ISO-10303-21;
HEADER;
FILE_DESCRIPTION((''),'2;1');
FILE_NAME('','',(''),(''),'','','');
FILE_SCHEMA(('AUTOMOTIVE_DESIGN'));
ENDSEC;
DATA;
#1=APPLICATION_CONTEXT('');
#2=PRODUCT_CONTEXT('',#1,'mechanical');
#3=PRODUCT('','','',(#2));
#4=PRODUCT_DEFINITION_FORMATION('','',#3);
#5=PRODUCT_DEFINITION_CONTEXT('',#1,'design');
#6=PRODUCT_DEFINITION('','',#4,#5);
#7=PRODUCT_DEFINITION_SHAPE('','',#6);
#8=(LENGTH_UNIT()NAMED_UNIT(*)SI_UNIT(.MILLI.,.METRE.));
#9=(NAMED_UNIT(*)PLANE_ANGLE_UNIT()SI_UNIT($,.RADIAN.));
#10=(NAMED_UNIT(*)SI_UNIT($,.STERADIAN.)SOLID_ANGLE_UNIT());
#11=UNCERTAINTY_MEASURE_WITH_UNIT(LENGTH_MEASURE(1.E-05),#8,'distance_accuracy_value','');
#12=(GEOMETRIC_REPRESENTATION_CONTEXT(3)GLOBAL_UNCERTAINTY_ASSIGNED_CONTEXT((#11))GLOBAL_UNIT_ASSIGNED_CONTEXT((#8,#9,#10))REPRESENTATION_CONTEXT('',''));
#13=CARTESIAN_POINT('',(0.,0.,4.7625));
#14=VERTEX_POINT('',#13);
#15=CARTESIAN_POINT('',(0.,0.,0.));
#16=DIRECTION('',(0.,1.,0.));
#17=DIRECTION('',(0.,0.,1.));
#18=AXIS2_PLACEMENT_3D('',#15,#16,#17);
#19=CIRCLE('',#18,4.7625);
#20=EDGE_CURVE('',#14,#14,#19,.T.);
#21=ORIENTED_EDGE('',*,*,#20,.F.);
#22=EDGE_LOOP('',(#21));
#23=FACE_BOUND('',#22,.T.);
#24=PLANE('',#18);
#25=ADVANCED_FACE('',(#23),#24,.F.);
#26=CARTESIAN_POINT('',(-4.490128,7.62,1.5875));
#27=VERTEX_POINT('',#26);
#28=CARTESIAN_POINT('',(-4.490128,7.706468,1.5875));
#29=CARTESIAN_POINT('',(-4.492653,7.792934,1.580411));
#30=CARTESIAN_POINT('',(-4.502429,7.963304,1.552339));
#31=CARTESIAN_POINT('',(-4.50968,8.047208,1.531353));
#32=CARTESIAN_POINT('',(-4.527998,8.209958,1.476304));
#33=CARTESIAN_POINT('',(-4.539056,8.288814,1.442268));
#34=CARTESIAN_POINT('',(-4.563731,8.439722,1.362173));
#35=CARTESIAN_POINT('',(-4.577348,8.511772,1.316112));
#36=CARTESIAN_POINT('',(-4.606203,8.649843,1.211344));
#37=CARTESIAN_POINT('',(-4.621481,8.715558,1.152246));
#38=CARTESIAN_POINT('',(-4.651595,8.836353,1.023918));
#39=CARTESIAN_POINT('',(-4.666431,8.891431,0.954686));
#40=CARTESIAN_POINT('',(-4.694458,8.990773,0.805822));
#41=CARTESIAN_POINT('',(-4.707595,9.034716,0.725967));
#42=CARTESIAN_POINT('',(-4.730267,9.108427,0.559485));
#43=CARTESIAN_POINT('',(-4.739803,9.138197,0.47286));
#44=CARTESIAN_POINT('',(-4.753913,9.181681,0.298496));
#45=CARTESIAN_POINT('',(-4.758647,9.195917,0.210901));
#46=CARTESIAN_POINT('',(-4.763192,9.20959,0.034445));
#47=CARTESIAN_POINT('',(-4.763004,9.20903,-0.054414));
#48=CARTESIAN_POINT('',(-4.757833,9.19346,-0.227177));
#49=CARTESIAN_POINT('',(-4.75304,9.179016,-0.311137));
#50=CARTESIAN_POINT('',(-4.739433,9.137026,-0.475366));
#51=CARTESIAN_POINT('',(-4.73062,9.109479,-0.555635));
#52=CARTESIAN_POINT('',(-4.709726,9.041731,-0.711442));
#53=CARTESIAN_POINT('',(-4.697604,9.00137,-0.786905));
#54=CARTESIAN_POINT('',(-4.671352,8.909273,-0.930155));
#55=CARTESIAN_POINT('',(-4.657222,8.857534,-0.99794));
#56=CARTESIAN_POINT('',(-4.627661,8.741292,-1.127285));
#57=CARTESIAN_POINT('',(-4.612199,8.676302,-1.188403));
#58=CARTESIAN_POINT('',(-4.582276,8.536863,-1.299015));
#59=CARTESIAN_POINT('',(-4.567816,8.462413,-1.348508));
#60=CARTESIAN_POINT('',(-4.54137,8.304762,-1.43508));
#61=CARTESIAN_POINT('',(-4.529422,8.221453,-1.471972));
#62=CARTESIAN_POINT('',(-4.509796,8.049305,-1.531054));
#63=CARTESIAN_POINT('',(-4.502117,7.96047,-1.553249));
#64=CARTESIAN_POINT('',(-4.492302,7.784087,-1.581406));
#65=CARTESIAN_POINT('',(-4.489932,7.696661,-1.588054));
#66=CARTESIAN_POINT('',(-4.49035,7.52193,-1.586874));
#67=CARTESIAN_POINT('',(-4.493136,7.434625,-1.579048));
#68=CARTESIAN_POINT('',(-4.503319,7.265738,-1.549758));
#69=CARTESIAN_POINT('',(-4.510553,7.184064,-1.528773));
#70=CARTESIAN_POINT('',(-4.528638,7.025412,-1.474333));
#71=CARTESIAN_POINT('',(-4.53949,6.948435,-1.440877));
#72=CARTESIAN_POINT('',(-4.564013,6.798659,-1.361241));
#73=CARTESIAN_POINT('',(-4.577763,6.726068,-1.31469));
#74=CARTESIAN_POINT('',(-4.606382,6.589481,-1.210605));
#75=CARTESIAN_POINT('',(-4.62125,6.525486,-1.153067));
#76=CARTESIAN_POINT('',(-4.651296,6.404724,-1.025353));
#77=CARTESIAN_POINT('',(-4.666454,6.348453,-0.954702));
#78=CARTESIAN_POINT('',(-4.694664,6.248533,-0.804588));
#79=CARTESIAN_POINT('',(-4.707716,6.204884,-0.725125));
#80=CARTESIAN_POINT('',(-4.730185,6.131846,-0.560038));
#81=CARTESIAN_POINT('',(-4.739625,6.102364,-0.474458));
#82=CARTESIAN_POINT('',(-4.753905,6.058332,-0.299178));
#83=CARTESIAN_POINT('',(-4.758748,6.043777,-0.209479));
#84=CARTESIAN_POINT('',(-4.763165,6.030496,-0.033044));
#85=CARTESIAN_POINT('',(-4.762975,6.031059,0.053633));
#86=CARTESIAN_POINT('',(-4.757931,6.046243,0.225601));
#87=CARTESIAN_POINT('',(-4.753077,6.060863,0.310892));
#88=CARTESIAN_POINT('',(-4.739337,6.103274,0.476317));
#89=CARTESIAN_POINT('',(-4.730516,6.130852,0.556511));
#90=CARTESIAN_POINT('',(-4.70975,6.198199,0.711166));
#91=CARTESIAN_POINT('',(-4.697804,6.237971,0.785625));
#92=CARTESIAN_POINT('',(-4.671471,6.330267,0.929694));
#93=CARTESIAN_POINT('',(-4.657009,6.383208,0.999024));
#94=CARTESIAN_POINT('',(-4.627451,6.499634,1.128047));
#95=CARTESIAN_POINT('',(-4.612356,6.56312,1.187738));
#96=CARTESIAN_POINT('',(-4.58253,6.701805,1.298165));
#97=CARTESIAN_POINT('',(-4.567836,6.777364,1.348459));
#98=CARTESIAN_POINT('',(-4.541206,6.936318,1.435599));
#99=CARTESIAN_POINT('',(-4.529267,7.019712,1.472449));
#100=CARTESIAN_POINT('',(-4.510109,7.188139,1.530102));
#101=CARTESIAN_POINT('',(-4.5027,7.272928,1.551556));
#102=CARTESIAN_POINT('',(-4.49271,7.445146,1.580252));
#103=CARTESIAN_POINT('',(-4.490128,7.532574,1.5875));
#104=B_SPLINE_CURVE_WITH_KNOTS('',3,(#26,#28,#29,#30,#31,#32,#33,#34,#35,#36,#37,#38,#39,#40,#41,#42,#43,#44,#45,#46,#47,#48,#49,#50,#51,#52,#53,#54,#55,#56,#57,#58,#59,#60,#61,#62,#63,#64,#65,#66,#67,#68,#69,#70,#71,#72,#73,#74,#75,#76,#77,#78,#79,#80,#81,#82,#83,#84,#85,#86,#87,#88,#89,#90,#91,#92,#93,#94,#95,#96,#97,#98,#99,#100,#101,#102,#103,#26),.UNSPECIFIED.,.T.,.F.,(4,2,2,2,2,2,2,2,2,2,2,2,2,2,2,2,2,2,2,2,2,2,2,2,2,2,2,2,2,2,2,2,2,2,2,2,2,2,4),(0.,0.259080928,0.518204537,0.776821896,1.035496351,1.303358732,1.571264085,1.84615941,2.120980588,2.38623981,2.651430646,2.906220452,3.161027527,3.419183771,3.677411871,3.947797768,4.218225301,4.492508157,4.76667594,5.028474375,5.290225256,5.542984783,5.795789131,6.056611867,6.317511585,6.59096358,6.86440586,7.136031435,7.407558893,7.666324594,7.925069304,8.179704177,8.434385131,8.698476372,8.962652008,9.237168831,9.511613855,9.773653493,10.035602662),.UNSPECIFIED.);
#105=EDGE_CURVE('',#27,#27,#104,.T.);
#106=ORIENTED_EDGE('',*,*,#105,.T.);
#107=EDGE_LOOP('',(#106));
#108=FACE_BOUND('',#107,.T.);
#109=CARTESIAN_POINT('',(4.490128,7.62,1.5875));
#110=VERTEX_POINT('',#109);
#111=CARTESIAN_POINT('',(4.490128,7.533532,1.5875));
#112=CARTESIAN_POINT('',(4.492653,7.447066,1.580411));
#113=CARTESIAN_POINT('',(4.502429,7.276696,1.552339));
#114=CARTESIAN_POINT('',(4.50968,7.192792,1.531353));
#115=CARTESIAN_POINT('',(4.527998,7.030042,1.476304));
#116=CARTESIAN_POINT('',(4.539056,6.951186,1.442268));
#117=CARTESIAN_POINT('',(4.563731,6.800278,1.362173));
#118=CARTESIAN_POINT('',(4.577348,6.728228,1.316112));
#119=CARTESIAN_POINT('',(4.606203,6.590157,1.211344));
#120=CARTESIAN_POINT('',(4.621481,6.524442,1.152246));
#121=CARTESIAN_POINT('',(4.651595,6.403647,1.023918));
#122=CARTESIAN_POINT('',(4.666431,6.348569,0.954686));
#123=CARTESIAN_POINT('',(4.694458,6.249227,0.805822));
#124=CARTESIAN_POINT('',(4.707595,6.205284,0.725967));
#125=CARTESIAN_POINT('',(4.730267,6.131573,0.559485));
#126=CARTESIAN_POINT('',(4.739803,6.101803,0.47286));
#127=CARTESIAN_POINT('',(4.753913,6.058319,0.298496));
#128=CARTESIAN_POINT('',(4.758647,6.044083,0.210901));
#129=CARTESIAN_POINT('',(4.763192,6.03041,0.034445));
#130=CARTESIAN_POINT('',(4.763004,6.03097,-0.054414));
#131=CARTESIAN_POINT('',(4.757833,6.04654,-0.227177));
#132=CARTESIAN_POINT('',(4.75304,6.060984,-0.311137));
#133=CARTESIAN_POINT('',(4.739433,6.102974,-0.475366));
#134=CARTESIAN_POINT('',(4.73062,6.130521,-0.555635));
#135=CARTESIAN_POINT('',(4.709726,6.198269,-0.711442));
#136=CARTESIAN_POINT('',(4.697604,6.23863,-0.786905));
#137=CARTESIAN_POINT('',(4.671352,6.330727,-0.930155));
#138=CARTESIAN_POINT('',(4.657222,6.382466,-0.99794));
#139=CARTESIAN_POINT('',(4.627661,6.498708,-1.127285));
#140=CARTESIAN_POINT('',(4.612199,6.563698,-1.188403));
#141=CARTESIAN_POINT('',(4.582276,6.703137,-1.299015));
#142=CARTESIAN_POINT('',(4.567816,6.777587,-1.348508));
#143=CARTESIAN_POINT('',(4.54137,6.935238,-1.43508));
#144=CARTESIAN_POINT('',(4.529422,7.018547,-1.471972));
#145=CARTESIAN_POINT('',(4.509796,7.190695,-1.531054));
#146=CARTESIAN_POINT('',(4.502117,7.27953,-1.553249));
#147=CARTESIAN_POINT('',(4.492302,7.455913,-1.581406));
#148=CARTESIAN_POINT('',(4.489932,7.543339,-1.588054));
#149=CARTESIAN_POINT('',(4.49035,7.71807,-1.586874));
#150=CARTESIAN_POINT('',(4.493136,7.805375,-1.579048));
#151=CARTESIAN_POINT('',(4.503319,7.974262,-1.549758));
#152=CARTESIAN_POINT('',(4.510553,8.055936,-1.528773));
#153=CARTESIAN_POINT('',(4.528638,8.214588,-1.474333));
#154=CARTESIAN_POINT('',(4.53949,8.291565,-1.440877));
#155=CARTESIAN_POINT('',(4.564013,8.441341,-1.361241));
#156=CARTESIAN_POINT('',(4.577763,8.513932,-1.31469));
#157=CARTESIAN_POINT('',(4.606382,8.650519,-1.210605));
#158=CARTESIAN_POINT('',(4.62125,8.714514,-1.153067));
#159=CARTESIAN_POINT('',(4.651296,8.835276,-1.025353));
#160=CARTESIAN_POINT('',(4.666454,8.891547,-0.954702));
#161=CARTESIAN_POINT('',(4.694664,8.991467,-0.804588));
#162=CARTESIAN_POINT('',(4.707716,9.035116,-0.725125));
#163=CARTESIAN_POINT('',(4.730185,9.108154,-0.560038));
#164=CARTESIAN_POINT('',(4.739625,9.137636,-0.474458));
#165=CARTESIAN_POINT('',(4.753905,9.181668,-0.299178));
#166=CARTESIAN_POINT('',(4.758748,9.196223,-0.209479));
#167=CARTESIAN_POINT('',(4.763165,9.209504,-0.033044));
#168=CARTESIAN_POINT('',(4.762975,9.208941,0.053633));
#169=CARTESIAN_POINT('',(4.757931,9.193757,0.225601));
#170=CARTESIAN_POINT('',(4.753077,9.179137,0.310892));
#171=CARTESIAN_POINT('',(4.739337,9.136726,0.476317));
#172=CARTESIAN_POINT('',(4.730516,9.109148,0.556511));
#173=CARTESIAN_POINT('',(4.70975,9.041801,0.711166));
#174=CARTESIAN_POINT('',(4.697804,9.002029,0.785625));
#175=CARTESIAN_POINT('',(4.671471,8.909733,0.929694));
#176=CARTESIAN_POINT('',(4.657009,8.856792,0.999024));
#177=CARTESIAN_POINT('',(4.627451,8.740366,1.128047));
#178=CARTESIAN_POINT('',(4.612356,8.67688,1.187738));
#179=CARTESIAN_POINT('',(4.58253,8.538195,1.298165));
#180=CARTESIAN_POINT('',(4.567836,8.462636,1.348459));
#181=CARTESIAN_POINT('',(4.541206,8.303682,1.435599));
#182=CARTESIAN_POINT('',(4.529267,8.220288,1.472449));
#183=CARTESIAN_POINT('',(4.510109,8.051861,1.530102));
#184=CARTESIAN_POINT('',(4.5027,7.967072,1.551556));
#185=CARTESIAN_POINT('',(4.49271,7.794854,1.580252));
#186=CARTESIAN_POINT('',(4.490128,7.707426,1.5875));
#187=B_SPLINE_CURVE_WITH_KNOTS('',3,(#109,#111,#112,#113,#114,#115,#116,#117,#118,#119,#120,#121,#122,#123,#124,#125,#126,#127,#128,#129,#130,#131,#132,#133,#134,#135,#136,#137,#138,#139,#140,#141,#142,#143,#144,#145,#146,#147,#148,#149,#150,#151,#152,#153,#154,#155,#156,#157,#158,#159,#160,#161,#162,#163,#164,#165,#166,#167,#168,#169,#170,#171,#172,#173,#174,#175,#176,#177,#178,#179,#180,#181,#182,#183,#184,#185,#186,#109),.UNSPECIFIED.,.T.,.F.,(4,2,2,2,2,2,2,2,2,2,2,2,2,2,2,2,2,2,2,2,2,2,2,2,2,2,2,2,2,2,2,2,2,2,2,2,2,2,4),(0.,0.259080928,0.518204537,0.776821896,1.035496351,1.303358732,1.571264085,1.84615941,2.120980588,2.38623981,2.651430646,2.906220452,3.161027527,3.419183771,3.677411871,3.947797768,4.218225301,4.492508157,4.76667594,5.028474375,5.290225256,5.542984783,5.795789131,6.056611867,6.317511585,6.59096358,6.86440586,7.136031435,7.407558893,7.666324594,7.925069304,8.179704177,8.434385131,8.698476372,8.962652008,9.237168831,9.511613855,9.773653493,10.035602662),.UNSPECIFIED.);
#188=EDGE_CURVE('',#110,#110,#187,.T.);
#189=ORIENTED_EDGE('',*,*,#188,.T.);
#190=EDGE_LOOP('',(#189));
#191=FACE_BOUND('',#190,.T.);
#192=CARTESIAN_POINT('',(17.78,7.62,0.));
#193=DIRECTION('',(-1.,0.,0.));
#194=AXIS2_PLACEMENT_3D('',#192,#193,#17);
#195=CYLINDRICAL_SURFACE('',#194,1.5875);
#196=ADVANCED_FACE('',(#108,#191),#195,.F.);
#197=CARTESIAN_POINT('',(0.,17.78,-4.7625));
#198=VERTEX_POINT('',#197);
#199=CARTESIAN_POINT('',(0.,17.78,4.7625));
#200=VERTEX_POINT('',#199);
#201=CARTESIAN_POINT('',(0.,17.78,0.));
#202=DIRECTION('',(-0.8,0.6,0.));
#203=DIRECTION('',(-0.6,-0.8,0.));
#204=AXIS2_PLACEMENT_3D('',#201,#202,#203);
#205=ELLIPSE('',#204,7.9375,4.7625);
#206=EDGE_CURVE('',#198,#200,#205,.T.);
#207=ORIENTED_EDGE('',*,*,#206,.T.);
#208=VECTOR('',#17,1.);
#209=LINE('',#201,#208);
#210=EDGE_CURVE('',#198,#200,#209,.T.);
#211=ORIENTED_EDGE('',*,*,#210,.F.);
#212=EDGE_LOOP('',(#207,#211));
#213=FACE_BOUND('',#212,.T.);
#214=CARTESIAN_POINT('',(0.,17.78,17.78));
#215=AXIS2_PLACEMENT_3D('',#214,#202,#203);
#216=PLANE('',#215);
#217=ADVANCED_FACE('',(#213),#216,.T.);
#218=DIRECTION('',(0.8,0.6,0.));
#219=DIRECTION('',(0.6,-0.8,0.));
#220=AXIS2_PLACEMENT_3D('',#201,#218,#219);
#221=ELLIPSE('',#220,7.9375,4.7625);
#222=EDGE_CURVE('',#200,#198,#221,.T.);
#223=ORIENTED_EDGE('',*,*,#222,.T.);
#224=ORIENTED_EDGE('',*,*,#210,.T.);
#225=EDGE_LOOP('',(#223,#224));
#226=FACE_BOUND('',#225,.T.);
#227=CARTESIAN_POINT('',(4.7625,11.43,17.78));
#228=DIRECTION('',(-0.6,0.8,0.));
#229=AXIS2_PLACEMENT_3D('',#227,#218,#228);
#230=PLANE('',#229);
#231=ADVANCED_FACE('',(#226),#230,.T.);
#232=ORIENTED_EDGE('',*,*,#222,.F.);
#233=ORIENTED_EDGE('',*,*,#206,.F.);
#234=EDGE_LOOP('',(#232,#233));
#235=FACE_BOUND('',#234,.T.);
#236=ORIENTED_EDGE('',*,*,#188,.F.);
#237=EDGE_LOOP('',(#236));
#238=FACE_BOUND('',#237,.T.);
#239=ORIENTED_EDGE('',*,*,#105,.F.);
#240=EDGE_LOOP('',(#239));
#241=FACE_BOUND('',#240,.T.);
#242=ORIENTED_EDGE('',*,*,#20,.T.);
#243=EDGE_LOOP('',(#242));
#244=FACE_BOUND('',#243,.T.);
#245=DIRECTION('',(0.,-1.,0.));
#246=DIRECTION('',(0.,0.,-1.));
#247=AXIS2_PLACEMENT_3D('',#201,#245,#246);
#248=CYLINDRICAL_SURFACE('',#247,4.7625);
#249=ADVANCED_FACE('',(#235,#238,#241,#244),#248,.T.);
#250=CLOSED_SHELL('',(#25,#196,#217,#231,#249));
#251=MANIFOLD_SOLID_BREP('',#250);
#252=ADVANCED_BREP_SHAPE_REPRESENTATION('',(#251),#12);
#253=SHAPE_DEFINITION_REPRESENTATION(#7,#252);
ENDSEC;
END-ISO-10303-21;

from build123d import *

# Parameters (mm, degrees)
SKETCH1_R               = 4.7625
BOSS_EXTRUDE1_DEPTH     = 17.78
CUT_EXTRUDE1_DEPTH      = 17.78
CUT_EXTRUDE1_DEPTH_BACK = 17.78
CUT_EXTRUDE2_DEPTH      = 17.78
CUT_EXTRUDE2_DEPTH_BACK = 17.78
CUT_EXTRUDE3_DEPTH      = 17.78
CUT_EXTRUDE3_DEPTH_BACK = 17.78
SKETCH4_R               = 1.5875


with BuildPart() as part:
    # Sketch1 → Boss-Extrude1 (new body)
    with BuildSketch(Plane(origin=(0, 0, 0), x_dir=(1, 0, 0), z_dir=(0, 1, 0))):
        Circle(SKETCH1_R)
    extrude(amount=BOSS_EXTRUDE1_DEPTH)

    # Sketch2 → Cut-Extrude1 (cut, two sides: drawn at the far end of the back side and taken through both)
    with BuildSketch(Plane.XY.offset(-CUT_EXTRUDE1_DEPTH_BACK)):
        Polygon((-4.7625, 17.78), (0, 17.78), (-4.7625, 11.43), align=None)
    extrude(amount=CUT_EXTRUDE1_DEPTH + CUT_EXTRUDE1_DEPTH_BACK, mode=Mode.SUBTRACT)

    # Sketch3 → Cut-Extrude2 (cut, two sides: drawn at the far end of the back side and taken through both)
    with BuildSketch(Plane.XY.offset(-CUT_EXTRUDE2_DEPTH_BACK)):
        Polygon((0, 17.78), (4.7625, 17.78), (4.7625, 11.43), align=None)
    extrude(amount=CUT_EXTRUDE2_DEPTH + CUT_EXTRUDE2_DEPTH_BACK, mode=Mode.SUBTRACT)

    # Sketch4 → Cut-Extrude3 (cut, two sides: drawn at the far end of the back side and taken through both)
    with BuildSketch(Plane(origin=(0, 0, 0), x_dir=(0, 0, -1), z_dir=(1, 0, 0)).offset(-CUT_EXTRUDE3_DEPTH_BACK)):
        with Locations((0, 7.62)):
            Circle(SKETCH4_R)
    extrude(amount=CUT_EXTRUDE3_DEPTH + CUT_EXTRUDE3_DEPTH_BACK, mode=Mode.SUBTRACT)


solid = part.part
